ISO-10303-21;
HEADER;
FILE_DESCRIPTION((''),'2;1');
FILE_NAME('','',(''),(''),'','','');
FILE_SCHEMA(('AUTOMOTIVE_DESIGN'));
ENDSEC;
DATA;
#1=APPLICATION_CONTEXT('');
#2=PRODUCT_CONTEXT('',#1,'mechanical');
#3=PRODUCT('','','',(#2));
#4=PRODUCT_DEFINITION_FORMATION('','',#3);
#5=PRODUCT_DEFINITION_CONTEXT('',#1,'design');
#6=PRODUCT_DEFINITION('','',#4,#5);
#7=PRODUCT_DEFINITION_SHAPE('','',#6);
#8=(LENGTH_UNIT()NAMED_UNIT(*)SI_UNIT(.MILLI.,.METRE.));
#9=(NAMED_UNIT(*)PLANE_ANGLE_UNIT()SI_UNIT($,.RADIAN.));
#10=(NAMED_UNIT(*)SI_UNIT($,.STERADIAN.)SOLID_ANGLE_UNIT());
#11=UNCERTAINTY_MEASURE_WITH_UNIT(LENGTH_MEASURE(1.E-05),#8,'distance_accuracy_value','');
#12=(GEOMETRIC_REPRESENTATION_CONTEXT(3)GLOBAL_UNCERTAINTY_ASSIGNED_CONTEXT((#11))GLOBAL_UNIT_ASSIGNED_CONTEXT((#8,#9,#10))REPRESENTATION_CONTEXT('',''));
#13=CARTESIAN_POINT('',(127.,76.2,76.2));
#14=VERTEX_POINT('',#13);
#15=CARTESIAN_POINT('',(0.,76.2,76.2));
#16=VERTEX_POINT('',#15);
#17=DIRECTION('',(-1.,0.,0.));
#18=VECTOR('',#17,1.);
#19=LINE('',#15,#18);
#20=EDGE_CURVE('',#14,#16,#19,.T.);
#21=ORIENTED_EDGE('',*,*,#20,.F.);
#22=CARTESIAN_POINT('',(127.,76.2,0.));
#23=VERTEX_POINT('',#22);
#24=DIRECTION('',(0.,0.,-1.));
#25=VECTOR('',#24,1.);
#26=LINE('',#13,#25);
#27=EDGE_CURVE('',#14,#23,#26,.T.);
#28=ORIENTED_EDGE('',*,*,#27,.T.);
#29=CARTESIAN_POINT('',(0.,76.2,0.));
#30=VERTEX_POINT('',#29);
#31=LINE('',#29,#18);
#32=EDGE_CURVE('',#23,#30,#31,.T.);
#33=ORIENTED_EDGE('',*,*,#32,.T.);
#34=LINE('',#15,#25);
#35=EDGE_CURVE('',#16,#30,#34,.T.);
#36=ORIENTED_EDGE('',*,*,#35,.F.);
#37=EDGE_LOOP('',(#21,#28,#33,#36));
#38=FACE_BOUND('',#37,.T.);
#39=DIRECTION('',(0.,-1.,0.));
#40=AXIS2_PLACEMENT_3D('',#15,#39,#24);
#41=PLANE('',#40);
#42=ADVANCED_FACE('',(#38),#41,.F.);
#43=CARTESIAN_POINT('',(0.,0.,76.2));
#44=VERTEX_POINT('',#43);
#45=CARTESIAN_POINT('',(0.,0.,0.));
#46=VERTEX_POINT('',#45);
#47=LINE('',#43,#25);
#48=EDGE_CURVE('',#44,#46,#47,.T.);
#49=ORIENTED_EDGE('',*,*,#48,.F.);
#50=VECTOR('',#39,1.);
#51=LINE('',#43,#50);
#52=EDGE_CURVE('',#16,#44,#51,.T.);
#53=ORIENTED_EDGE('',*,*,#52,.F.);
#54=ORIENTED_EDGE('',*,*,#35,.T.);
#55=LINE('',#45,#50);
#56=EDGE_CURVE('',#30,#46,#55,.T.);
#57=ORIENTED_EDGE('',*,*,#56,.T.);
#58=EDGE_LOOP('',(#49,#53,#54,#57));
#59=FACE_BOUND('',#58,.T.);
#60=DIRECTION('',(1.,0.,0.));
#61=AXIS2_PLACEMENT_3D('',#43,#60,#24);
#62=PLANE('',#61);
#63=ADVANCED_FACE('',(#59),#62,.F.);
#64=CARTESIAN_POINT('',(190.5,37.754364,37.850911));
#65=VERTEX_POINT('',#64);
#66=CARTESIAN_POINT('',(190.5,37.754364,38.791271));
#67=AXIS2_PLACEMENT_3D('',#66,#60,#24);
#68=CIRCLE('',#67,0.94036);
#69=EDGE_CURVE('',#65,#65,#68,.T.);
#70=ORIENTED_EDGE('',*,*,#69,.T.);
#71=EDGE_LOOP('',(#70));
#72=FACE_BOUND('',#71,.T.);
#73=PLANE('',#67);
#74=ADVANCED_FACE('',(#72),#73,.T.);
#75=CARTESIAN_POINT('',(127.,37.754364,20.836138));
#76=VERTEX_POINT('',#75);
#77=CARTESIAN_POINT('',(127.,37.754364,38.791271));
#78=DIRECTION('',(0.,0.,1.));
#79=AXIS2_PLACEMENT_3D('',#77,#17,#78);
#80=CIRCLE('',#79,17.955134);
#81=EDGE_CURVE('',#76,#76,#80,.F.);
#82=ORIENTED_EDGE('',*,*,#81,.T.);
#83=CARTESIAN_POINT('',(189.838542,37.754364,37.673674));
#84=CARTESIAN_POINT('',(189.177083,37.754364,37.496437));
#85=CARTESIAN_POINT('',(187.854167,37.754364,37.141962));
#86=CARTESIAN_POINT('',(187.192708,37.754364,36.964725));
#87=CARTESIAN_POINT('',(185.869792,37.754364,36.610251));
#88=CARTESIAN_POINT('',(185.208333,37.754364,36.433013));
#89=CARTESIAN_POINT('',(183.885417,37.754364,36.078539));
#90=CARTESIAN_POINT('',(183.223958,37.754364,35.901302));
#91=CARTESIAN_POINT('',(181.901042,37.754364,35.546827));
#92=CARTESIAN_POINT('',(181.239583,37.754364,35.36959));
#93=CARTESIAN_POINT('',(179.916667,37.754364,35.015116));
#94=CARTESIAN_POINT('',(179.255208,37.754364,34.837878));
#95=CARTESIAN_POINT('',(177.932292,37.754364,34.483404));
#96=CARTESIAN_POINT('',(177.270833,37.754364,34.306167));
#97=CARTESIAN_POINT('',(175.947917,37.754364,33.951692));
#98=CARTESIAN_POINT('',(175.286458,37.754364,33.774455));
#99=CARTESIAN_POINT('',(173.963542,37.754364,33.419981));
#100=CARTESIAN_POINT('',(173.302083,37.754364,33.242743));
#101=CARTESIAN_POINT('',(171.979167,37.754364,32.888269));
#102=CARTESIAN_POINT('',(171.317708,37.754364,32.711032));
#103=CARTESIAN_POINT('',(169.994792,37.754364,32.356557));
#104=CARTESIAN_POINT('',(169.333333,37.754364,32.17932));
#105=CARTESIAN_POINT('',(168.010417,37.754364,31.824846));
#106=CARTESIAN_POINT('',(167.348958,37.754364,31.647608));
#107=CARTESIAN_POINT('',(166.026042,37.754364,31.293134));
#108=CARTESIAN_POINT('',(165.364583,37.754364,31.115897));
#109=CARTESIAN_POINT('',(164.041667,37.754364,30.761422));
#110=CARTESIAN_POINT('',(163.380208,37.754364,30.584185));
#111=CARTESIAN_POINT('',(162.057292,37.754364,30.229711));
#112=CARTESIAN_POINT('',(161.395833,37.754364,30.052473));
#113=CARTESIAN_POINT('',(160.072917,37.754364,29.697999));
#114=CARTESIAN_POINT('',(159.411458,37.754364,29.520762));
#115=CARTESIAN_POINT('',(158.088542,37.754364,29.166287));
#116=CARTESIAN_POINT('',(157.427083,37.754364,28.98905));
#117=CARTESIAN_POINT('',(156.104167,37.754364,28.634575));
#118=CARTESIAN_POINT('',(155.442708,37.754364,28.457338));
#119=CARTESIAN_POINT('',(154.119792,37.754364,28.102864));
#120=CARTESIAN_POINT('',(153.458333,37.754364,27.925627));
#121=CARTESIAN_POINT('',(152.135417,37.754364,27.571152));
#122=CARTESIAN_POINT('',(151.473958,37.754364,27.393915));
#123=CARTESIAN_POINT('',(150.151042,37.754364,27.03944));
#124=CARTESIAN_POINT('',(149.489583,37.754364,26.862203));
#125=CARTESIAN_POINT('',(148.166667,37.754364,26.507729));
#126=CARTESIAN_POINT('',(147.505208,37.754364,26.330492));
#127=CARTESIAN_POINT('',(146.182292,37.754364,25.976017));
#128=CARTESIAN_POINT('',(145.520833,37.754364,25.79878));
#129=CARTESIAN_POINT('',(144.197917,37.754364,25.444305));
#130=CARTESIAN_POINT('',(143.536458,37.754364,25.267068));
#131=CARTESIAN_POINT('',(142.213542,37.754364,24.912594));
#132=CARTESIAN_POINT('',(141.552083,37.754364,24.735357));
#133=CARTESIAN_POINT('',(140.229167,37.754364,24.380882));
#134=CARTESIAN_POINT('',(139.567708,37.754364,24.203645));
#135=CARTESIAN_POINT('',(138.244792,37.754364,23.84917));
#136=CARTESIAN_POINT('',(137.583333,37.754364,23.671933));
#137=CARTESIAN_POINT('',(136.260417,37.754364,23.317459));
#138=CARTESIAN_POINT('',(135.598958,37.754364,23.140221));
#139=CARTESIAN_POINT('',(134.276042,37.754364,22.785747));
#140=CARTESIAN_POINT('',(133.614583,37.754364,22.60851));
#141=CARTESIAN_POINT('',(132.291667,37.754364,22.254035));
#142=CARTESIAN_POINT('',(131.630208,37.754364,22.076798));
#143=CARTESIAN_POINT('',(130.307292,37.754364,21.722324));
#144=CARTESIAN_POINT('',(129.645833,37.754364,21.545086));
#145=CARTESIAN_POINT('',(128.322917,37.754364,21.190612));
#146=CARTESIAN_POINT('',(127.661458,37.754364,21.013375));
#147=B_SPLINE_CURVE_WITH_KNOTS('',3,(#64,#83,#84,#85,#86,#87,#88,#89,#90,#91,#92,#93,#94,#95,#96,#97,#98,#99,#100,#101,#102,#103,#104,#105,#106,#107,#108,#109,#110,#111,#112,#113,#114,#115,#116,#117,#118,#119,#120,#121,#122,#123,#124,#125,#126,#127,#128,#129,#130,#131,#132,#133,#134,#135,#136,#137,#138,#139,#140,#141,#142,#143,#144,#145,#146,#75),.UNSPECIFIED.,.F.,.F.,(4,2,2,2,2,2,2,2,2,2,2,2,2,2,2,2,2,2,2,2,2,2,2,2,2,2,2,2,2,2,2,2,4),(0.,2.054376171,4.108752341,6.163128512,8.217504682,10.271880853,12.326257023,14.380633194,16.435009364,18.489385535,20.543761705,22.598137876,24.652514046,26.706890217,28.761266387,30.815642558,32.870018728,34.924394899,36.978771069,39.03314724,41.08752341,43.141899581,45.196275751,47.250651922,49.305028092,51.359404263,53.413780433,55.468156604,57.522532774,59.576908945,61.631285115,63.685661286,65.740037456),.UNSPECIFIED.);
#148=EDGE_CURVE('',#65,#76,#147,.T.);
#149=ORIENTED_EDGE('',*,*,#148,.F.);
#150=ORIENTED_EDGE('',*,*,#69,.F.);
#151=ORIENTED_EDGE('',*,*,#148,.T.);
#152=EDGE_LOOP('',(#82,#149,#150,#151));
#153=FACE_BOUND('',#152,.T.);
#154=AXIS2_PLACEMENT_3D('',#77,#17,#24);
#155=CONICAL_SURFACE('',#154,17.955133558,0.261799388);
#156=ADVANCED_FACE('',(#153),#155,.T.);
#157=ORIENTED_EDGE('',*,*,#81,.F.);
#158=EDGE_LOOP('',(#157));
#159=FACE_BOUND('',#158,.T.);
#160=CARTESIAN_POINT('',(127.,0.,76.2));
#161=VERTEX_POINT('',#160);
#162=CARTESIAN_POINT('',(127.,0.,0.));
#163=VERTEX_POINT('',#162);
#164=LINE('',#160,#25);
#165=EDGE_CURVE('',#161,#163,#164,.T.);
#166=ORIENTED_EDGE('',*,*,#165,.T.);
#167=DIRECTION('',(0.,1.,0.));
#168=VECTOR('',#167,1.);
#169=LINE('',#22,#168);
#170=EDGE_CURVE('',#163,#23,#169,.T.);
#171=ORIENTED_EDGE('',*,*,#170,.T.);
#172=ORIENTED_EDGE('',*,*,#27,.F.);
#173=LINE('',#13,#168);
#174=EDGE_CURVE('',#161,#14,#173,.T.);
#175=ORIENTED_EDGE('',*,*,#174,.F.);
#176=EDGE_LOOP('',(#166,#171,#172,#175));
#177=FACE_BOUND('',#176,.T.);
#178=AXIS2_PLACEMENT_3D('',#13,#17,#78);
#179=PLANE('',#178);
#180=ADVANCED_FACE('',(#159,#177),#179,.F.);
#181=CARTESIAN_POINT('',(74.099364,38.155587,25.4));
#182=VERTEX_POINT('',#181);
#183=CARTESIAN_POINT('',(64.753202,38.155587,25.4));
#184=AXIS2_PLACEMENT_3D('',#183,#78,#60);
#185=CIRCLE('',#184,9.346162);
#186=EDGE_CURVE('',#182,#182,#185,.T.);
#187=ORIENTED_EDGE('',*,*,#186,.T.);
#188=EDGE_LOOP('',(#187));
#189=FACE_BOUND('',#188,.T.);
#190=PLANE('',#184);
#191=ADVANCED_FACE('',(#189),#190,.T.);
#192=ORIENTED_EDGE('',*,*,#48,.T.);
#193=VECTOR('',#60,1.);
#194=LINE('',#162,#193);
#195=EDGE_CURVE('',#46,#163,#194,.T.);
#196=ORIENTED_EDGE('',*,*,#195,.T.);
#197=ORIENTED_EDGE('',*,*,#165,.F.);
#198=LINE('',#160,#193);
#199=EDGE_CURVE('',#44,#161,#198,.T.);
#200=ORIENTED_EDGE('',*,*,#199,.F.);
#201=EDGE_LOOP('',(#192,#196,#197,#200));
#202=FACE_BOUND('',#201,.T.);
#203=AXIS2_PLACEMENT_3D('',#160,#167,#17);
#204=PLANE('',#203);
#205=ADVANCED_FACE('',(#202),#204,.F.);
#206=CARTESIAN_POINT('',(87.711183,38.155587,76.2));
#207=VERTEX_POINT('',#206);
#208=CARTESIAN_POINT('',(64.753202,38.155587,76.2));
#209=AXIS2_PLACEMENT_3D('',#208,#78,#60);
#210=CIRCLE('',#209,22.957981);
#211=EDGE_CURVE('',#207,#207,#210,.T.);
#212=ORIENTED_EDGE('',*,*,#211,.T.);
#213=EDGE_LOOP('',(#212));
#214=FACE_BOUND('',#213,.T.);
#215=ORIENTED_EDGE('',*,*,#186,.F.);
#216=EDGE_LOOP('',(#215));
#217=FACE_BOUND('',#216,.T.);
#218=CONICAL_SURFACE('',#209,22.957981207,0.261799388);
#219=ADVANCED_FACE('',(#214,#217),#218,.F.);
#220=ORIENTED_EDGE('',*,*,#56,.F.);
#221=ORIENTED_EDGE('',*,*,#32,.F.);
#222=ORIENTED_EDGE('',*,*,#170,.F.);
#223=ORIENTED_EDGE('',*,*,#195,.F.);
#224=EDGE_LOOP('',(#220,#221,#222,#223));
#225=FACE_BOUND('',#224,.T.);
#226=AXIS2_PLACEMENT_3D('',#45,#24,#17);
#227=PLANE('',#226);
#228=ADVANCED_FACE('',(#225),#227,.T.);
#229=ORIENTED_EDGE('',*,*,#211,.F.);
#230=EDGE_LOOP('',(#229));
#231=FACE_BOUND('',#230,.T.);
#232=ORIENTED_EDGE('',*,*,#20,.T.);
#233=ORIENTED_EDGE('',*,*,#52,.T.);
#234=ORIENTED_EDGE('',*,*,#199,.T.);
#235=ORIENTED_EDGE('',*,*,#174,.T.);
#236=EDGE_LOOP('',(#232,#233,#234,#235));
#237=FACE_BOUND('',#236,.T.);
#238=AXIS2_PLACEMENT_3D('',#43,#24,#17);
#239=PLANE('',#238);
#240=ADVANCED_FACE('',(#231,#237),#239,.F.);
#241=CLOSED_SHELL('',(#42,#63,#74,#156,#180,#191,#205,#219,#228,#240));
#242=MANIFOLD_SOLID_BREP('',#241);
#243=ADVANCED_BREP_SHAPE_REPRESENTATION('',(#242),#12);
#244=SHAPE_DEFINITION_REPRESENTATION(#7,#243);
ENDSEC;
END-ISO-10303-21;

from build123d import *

# Parameters (mm, degrees)
SKETCH1_W           = 127
SKETCH1_H           = 76.2
BOSS_EXTRUDE1_DEPTH = 76.2
SKETCH2_R           = 22.957981207
CUT_EXTRUDE1_DEPTH  = 50.8
CUT_EXTRUDE1_DRAFT  = -15
SKETCH3_R           = 17.955133558
BOSS_EXTRUDE2_DEPTH = 63.5
BOSS_EXTRUDE2_TAPER = 15


with BuildPart() as part:
    # Sketch1 → Boss-Extrude1 (new body)
    with BuildSketch(Plane.XY):
        with Locations((63.5, 38.1)):
            Rectangle(SKETCH1_W, SKETCH1_H)
    extrude(amount=BOSS_EXTRUDE1_DEPTH)


with BuildPart() as cut_extrude1_tool:
    # Sketch2 → Cut-Extrude1 (with draft: the straight prism first)
    with BuildSketch(Plane.XY.offset(76.2)):
        with Locations((64.753202194, 38.155586657)):
            Circle(SKETCH2_R)
    extrude(amount=-CUT_EXTRUDE1_DEPTH)
    # Cut-Extrude1: the draft: its side faces are tilted about the plane it starts from
    cut_extrude1_sides = [cut_extrude1_tool.faces().sort_by_distance(p)[0] for p in [
        (41.795220987, 38.155586657, 50.8),
    ]]
    draft(cut_extrude1_sides, Plane.XY.offset(76.2), CUT_EXTRUDE1_DRAFT)


with BuildPart() as part_1:
    add(part.part)

    # Cut-Extrude1: cut by cut_extrude1_tool
    add(cut_extrude1_tool.part, mode=Mode.SUBTRACT)

    # Sketch3 → Boss-Extrude2 (add)
    with BuildSketch(Plane(origin=(127, 0, 0), x_dir=(0, 0, -1), z_dir=(1, 0, 0))):
        with Locations((-38.791271087, 37.754364457)):
            Circle(SKETCH3_R)
    extrude(amount=BOSS_EXTRUDE2_DEPTH, taper=BOSS_EXTRUDE2_TAPER)


solid = part_1.part
